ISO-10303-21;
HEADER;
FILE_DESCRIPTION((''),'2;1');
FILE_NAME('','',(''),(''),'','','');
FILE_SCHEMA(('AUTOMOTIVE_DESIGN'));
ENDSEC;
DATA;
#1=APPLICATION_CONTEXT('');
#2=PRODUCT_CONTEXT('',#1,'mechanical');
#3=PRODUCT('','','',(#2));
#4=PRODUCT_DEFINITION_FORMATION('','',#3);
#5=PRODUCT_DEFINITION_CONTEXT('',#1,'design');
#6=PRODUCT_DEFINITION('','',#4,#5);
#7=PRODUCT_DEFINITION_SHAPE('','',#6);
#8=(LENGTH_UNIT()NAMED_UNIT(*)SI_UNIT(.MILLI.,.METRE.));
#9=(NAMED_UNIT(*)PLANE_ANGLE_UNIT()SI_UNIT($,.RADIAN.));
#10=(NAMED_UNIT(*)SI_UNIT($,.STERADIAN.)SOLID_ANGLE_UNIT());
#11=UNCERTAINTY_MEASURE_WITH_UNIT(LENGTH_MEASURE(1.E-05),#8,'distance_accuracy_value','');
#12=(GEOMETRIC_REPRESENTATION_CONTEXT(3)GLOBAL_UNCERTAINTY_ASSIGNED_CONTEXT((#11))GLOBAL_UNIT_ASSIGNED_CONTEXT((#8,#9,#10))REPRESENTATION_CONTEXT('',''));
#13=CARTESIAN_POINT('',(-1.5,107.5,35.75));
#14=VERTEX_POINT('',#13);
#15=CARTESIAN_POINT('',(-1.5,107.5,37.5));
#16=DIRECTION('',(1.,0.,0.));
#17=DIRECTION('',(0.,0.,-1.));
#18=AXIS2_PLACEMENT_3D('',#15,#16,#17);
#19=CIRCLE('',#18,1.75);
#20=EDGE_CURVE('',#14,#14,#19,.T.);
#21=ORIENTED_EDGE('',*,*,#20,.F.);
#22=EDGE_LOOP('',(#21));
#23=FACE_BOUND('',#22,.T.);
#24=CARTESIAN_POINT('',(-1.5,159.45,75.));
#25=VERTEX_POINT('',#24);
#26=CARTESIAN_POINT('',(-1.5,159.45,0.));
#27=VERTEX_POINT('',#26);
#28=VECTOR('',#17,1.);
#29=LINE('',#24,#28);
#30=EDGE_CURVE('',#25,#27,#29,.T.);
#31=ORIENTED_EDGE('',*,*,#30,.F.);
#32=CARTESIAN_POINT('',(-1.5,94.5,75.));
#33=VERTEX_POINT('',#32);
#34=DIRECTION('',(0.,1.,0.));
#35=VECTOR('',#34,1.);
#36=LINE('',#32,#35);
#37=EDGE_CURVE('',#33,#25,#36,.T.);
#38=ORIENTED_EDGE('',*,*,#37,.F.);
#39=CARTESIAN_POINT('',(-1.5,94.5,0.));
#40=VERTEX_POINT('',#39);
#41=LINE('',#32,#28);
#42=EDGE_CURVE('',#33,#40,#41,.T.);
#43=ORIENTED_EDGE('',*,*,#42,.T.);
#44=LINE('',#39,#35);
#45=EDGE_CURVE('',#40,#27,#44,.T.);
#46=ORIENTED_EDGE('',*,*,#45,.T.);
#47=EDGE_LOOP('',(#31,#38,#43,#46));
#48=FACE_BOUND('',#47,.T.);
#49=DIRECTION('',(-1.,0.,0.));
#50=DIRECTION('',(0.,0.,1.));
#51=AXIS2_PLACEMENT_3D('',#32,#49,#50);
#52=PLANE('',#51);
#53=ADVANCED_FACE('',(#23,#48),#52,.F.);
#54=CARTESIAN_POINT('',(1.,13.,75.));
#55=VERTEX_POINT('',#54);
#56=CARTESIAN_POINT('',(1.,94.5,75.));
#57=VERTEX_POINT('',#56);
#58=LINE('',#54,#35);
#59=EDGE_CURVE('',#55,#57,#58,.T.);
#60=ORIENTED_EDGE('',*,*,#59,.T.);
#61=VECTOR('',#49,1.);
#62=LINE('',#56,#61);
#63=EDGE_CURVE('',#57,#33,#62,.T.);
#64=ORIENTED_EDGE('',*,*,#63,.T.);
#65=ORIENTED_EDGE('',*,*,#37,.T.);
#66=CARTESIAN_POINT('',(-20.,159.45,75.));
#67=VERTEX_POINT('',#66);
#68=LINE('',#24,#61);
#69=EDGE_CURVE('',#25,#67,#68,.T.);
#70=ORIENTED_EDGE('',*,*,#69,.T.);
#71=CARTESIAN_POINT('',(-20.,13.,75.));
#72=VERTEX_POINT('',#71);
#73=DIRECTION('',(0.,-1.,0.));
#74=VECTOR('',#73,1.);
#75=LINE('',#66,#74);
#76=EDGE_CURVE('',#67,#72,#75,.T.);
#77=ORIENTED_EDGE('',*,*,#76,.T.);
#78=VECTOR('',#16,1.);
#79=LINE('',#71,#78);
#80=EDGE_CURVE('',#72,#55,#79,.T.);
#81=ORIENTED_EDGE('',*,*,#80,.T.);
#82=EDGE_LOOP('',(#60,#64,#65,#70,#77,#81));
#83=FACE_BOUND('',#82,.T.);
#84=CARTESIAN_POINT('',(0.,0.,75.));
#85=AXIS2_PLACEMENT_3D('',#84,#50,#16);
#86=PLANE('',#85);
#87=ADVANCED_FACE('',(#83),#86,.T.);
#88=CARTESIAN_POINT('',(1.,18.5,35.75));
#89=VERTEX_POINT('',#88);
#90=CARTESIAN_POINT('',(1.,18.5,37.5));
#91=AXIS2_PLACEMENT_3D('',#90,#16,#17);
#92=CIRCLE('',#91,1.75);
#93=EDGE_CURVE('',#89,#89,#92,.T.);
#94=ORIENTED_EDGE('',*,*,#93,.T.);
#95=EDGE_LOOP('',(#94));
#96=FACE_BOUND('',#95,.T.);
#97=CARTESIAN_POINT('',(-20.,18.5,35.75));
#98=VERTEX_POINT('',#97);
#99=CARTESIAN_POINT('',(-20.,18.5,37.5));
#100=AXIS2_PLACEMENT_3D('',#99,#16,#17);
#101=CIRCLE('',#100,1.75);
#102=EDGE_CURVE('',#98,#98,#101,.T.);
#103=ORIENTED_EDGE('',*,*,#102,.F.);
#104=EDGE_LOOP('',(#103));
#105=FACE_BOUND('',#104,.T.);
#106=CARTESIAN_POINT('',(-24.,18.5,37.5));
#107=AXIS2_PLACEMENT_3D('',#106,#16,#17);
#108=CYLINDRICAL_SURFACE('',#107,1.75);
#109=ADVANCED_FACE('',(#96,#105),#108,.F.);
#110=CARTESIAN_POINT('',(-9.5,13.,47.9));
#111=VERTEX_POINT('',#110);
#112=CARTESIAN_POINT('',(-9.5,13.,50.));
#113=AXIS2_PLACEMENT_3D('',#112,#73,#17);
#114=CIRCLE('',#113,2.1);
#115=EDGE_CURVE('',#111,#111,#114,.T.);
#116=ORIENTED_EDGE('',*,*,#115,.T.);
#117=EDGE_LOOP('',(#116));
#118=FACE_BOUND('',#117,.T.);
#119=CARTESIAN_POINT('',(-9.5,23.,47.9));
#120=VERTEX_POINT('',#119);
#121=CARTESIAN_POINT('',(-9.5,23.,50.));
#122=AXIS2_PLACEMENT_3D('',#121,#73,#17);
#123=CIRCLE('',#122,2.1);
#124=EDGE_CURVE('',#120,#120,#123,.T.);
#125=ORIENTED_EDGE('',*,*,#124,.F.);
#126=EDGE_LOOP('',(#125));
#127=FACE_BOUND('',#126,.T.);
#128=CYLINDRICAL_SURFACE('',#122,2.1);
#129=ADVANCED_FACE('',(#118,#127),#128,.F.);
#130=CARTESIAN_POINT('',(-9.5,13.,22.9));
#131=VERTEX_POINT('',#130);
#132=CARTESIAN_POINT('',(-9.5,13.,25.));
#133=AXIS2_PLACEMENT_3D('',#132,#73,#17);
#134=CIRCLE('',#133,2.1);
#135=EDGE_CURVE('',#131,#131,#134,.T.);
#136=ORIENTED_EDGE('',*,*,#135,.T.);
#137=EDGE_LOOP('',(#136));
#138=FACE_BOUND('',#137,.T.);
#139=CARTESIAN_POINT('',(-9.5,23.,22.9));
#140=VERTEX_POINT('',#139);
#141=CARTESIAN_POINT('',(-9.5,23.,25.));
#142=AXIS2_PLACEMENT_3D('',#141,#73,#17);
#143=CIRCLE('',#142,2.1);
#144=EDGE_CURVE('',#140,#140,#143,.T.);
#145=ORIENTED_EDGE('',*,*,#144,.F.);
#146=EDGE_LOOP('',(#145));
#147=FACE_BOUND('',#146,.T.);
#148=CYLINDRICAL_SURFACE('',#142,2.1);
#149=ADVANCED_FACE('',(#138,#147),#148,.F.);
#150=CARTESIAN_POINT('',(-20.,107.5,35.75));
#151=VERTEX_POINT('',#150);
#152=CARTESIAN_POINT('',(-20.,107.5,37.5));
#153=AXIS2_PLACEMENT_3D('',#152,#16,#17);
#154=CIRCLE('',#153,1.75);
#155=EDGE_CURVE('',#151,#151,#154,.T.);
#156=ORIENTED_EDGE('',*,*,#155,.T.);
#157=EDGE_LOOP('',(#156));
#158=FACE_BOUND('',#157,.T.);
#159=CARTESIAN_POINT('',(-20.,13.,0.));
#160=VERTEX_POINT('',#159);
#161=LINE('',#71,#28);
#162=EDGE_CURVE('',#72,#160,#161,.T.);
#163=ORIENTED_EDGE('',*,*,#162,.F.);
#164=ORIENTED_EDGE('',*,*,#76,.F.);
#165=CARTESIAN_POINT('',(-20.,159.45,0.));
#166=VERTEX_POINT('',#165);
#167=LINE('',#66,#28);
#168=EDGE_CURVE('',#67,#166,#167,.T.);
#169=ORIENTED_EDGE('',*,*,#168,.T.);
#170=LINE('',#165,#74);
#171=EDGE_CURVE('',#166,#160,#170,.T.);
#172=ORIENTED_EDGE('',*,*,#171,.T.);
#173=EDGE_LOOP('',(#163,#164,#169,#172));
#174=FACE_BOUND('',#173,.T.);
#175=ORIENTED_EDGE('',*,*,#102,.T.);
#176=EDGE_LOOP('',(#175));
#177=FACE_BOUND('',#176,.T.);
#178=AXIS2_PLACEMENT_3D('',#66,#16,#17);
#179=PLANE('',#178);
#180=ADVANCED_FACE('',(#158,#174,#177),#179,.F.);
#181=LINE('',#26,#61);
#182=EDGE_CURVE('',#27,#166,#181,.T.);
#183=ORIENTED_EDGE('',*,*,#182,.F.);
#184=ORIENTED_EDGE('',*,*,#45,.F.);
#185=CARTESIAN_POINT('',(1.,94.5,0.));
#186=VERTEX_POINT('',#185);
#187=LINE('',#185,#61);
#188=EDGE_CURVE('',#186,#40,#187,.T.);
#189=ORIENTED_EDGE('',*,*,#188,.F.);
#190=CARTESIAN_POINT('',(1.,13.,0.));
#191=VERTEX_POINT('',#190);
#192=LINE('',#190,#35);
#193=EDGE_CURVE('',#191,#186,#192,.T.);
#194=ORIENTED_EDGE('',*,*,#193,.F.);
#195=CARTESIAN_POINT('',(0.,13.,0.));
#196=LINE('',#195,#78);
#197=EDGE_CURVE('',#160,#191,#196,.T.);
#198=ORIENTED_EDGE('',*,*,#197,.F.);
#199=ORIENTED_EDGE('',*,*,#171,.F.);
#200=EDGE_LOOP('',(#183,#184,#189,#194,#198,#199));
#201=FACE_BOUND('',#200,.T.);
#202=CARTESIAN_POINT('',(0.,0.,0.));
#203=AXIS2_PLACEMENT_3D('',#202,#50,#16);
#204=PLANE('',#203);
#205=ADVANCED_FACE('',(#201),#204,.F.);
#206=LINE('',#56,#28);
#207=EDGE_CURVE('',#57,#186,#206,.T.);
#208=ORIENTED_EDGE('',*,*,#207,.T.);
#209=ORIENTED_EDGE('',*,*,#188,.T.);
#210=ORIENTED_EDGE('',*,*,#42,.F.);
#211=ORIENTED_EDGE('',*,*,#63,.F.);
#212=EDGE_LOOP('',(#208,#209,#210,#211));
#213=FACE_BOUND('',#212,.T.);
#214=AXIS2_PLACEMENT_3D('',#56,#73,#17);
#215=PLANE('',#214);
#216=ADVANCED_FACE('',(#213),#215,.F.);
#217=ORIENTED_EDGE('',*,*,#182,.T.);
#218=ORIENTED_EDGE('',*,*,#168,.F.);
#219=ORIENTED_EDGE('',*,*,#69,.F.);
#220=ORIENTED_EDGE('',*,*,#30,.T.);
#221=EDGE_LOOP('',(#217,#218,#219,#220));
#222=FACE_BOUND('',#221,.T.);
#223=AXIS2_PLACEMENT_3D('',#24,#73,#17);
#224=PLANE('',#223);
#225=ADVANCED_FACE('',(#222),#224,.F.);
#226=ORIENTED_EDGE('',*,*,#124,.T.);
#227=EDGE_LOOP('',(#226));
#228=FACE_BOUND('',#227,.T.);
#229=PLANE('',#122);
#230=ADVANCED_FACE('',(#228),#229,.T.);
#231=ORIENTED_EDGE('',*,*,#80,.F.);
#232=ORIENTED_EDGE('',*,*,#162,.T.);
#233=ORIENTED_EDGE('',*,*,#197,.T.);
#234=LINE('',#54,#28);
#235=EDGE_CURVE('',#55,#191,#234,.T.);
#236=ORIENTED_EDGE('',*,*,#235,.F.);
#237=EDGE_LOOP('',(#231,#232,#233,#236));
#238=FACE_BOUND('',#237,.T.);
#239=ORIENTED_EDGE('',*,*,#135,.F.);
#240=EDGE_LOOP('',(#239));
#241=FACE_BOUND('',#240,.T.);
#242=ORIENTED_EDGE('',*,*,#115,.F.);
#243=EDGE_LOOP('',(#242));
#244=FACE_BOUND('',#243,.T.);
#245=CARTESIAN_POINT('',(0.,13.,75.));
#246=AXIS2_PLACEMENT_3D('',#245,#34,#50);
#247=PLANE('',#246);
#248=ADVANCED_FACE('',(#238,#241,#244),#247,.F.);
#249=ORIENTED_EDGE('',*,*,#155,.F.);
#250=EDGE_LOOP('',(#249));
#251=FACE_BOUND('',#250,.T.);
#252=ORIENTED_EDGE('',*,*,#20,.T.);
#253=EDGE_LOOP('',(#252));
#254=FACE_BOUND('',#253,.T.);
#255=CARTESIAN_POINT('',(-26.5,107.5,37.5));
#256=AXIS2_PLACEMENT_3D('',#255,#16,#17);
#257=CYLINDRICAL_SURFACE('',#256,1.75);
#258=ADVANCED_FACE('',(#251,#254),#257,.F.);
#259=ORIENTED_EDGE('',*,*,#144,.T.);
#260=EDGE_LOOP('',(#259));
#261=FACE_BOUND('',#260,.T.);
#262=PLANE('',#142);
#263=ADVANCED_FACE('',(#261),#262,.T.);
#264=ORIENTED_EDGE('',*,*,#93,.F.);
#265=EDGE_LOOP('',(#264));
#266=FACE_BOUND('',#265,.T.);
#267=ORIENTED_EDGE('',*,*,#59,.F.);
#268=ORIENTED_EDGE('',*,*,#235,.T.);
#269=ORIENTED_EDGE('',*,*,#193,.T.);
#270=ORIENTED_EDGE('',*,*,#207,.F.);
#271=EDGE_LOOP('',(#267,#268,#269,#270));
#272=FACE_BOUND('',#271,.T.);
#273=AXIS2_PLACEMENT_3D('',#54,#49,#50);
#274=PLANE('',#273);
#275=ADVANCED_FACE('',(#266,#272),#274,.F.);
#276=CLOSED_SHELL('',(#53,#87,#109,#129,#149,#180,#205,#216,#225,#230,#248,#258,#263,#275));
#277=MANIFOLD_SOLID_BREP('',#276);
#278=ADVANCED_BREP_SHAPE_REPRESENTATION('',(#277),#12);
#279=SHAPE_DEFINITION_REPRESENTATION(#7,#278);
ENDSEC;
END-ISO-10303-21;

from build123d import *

# Parameters (mm, degrees)
BOSS_EXTRUDE1_DEPTH = 75
SKETCH2_R           = 1.75
CUT_EXTRUDE1_DEPTH  = 25
SKETCH4_R           = 1.75
CUT_EXTRUDE3_DEPTH  = 25
SKETCH5_R           = 2.1
CUT_EXTRUDE4_DEPTH  = 10


with BuildPart() as part:
    # Sketch1 → Boss-Extrude1 (new body)
    with BuildSketch(Plane.XY):
        Polygon((-20, 159.45), (-20, 13), (0, 13), (1, 13), (1, 94.5), (-1.5, 94.5), (-1.5, 159.45), align=None)
    extrude(amount=BOSS_EXTRUDE1_DEPTH)

    # Sketch2 → Cut-Extrude1 (cut)
    with BuildSketch(Plane(origin=(1, 0, 0), x_dir=(0, 0, -1), z_dir=(1, 0, 0))):
        with Locations((-37.5, 18.5)):
            Circle(SKETCH2_R)
    extrude(amount=-CUT_EXTRUDE1_DEPTH, mode=Mode.SUBTRACT)

    # Sketch4 → Cut-Extrude3 (cut)
    with BuildSketch(Plane(origin=(-1.5, 0, 0), x_dir=(0, 0, -1), z_dir=(1, 0, 0))):
        with Locations((-37.5, 107.5)):
            Circle(SKETCH4_R)
    extrude(amount=-CUT_EXTRUDE3_DEPTH, mode=Mode.SUBTRACT)

    # Sketch5 → Cut-Extrude4 (cut)
    with BuildSketch(Plane.XZ.offset(-13)):
        with Locations(Location((-9.5, 50, 0), (0, 0, 270))):
            Circle(SKETCH5_R)
        with Locations(Location((-9.5, 25, 0), (0, 0, 270))):
            Circle(SKETCH5_R)
    extrude(amount=-CUT_EXTRUDE4_DEPTH, mode=Mode.SUBTRACT)


solid = part.part
